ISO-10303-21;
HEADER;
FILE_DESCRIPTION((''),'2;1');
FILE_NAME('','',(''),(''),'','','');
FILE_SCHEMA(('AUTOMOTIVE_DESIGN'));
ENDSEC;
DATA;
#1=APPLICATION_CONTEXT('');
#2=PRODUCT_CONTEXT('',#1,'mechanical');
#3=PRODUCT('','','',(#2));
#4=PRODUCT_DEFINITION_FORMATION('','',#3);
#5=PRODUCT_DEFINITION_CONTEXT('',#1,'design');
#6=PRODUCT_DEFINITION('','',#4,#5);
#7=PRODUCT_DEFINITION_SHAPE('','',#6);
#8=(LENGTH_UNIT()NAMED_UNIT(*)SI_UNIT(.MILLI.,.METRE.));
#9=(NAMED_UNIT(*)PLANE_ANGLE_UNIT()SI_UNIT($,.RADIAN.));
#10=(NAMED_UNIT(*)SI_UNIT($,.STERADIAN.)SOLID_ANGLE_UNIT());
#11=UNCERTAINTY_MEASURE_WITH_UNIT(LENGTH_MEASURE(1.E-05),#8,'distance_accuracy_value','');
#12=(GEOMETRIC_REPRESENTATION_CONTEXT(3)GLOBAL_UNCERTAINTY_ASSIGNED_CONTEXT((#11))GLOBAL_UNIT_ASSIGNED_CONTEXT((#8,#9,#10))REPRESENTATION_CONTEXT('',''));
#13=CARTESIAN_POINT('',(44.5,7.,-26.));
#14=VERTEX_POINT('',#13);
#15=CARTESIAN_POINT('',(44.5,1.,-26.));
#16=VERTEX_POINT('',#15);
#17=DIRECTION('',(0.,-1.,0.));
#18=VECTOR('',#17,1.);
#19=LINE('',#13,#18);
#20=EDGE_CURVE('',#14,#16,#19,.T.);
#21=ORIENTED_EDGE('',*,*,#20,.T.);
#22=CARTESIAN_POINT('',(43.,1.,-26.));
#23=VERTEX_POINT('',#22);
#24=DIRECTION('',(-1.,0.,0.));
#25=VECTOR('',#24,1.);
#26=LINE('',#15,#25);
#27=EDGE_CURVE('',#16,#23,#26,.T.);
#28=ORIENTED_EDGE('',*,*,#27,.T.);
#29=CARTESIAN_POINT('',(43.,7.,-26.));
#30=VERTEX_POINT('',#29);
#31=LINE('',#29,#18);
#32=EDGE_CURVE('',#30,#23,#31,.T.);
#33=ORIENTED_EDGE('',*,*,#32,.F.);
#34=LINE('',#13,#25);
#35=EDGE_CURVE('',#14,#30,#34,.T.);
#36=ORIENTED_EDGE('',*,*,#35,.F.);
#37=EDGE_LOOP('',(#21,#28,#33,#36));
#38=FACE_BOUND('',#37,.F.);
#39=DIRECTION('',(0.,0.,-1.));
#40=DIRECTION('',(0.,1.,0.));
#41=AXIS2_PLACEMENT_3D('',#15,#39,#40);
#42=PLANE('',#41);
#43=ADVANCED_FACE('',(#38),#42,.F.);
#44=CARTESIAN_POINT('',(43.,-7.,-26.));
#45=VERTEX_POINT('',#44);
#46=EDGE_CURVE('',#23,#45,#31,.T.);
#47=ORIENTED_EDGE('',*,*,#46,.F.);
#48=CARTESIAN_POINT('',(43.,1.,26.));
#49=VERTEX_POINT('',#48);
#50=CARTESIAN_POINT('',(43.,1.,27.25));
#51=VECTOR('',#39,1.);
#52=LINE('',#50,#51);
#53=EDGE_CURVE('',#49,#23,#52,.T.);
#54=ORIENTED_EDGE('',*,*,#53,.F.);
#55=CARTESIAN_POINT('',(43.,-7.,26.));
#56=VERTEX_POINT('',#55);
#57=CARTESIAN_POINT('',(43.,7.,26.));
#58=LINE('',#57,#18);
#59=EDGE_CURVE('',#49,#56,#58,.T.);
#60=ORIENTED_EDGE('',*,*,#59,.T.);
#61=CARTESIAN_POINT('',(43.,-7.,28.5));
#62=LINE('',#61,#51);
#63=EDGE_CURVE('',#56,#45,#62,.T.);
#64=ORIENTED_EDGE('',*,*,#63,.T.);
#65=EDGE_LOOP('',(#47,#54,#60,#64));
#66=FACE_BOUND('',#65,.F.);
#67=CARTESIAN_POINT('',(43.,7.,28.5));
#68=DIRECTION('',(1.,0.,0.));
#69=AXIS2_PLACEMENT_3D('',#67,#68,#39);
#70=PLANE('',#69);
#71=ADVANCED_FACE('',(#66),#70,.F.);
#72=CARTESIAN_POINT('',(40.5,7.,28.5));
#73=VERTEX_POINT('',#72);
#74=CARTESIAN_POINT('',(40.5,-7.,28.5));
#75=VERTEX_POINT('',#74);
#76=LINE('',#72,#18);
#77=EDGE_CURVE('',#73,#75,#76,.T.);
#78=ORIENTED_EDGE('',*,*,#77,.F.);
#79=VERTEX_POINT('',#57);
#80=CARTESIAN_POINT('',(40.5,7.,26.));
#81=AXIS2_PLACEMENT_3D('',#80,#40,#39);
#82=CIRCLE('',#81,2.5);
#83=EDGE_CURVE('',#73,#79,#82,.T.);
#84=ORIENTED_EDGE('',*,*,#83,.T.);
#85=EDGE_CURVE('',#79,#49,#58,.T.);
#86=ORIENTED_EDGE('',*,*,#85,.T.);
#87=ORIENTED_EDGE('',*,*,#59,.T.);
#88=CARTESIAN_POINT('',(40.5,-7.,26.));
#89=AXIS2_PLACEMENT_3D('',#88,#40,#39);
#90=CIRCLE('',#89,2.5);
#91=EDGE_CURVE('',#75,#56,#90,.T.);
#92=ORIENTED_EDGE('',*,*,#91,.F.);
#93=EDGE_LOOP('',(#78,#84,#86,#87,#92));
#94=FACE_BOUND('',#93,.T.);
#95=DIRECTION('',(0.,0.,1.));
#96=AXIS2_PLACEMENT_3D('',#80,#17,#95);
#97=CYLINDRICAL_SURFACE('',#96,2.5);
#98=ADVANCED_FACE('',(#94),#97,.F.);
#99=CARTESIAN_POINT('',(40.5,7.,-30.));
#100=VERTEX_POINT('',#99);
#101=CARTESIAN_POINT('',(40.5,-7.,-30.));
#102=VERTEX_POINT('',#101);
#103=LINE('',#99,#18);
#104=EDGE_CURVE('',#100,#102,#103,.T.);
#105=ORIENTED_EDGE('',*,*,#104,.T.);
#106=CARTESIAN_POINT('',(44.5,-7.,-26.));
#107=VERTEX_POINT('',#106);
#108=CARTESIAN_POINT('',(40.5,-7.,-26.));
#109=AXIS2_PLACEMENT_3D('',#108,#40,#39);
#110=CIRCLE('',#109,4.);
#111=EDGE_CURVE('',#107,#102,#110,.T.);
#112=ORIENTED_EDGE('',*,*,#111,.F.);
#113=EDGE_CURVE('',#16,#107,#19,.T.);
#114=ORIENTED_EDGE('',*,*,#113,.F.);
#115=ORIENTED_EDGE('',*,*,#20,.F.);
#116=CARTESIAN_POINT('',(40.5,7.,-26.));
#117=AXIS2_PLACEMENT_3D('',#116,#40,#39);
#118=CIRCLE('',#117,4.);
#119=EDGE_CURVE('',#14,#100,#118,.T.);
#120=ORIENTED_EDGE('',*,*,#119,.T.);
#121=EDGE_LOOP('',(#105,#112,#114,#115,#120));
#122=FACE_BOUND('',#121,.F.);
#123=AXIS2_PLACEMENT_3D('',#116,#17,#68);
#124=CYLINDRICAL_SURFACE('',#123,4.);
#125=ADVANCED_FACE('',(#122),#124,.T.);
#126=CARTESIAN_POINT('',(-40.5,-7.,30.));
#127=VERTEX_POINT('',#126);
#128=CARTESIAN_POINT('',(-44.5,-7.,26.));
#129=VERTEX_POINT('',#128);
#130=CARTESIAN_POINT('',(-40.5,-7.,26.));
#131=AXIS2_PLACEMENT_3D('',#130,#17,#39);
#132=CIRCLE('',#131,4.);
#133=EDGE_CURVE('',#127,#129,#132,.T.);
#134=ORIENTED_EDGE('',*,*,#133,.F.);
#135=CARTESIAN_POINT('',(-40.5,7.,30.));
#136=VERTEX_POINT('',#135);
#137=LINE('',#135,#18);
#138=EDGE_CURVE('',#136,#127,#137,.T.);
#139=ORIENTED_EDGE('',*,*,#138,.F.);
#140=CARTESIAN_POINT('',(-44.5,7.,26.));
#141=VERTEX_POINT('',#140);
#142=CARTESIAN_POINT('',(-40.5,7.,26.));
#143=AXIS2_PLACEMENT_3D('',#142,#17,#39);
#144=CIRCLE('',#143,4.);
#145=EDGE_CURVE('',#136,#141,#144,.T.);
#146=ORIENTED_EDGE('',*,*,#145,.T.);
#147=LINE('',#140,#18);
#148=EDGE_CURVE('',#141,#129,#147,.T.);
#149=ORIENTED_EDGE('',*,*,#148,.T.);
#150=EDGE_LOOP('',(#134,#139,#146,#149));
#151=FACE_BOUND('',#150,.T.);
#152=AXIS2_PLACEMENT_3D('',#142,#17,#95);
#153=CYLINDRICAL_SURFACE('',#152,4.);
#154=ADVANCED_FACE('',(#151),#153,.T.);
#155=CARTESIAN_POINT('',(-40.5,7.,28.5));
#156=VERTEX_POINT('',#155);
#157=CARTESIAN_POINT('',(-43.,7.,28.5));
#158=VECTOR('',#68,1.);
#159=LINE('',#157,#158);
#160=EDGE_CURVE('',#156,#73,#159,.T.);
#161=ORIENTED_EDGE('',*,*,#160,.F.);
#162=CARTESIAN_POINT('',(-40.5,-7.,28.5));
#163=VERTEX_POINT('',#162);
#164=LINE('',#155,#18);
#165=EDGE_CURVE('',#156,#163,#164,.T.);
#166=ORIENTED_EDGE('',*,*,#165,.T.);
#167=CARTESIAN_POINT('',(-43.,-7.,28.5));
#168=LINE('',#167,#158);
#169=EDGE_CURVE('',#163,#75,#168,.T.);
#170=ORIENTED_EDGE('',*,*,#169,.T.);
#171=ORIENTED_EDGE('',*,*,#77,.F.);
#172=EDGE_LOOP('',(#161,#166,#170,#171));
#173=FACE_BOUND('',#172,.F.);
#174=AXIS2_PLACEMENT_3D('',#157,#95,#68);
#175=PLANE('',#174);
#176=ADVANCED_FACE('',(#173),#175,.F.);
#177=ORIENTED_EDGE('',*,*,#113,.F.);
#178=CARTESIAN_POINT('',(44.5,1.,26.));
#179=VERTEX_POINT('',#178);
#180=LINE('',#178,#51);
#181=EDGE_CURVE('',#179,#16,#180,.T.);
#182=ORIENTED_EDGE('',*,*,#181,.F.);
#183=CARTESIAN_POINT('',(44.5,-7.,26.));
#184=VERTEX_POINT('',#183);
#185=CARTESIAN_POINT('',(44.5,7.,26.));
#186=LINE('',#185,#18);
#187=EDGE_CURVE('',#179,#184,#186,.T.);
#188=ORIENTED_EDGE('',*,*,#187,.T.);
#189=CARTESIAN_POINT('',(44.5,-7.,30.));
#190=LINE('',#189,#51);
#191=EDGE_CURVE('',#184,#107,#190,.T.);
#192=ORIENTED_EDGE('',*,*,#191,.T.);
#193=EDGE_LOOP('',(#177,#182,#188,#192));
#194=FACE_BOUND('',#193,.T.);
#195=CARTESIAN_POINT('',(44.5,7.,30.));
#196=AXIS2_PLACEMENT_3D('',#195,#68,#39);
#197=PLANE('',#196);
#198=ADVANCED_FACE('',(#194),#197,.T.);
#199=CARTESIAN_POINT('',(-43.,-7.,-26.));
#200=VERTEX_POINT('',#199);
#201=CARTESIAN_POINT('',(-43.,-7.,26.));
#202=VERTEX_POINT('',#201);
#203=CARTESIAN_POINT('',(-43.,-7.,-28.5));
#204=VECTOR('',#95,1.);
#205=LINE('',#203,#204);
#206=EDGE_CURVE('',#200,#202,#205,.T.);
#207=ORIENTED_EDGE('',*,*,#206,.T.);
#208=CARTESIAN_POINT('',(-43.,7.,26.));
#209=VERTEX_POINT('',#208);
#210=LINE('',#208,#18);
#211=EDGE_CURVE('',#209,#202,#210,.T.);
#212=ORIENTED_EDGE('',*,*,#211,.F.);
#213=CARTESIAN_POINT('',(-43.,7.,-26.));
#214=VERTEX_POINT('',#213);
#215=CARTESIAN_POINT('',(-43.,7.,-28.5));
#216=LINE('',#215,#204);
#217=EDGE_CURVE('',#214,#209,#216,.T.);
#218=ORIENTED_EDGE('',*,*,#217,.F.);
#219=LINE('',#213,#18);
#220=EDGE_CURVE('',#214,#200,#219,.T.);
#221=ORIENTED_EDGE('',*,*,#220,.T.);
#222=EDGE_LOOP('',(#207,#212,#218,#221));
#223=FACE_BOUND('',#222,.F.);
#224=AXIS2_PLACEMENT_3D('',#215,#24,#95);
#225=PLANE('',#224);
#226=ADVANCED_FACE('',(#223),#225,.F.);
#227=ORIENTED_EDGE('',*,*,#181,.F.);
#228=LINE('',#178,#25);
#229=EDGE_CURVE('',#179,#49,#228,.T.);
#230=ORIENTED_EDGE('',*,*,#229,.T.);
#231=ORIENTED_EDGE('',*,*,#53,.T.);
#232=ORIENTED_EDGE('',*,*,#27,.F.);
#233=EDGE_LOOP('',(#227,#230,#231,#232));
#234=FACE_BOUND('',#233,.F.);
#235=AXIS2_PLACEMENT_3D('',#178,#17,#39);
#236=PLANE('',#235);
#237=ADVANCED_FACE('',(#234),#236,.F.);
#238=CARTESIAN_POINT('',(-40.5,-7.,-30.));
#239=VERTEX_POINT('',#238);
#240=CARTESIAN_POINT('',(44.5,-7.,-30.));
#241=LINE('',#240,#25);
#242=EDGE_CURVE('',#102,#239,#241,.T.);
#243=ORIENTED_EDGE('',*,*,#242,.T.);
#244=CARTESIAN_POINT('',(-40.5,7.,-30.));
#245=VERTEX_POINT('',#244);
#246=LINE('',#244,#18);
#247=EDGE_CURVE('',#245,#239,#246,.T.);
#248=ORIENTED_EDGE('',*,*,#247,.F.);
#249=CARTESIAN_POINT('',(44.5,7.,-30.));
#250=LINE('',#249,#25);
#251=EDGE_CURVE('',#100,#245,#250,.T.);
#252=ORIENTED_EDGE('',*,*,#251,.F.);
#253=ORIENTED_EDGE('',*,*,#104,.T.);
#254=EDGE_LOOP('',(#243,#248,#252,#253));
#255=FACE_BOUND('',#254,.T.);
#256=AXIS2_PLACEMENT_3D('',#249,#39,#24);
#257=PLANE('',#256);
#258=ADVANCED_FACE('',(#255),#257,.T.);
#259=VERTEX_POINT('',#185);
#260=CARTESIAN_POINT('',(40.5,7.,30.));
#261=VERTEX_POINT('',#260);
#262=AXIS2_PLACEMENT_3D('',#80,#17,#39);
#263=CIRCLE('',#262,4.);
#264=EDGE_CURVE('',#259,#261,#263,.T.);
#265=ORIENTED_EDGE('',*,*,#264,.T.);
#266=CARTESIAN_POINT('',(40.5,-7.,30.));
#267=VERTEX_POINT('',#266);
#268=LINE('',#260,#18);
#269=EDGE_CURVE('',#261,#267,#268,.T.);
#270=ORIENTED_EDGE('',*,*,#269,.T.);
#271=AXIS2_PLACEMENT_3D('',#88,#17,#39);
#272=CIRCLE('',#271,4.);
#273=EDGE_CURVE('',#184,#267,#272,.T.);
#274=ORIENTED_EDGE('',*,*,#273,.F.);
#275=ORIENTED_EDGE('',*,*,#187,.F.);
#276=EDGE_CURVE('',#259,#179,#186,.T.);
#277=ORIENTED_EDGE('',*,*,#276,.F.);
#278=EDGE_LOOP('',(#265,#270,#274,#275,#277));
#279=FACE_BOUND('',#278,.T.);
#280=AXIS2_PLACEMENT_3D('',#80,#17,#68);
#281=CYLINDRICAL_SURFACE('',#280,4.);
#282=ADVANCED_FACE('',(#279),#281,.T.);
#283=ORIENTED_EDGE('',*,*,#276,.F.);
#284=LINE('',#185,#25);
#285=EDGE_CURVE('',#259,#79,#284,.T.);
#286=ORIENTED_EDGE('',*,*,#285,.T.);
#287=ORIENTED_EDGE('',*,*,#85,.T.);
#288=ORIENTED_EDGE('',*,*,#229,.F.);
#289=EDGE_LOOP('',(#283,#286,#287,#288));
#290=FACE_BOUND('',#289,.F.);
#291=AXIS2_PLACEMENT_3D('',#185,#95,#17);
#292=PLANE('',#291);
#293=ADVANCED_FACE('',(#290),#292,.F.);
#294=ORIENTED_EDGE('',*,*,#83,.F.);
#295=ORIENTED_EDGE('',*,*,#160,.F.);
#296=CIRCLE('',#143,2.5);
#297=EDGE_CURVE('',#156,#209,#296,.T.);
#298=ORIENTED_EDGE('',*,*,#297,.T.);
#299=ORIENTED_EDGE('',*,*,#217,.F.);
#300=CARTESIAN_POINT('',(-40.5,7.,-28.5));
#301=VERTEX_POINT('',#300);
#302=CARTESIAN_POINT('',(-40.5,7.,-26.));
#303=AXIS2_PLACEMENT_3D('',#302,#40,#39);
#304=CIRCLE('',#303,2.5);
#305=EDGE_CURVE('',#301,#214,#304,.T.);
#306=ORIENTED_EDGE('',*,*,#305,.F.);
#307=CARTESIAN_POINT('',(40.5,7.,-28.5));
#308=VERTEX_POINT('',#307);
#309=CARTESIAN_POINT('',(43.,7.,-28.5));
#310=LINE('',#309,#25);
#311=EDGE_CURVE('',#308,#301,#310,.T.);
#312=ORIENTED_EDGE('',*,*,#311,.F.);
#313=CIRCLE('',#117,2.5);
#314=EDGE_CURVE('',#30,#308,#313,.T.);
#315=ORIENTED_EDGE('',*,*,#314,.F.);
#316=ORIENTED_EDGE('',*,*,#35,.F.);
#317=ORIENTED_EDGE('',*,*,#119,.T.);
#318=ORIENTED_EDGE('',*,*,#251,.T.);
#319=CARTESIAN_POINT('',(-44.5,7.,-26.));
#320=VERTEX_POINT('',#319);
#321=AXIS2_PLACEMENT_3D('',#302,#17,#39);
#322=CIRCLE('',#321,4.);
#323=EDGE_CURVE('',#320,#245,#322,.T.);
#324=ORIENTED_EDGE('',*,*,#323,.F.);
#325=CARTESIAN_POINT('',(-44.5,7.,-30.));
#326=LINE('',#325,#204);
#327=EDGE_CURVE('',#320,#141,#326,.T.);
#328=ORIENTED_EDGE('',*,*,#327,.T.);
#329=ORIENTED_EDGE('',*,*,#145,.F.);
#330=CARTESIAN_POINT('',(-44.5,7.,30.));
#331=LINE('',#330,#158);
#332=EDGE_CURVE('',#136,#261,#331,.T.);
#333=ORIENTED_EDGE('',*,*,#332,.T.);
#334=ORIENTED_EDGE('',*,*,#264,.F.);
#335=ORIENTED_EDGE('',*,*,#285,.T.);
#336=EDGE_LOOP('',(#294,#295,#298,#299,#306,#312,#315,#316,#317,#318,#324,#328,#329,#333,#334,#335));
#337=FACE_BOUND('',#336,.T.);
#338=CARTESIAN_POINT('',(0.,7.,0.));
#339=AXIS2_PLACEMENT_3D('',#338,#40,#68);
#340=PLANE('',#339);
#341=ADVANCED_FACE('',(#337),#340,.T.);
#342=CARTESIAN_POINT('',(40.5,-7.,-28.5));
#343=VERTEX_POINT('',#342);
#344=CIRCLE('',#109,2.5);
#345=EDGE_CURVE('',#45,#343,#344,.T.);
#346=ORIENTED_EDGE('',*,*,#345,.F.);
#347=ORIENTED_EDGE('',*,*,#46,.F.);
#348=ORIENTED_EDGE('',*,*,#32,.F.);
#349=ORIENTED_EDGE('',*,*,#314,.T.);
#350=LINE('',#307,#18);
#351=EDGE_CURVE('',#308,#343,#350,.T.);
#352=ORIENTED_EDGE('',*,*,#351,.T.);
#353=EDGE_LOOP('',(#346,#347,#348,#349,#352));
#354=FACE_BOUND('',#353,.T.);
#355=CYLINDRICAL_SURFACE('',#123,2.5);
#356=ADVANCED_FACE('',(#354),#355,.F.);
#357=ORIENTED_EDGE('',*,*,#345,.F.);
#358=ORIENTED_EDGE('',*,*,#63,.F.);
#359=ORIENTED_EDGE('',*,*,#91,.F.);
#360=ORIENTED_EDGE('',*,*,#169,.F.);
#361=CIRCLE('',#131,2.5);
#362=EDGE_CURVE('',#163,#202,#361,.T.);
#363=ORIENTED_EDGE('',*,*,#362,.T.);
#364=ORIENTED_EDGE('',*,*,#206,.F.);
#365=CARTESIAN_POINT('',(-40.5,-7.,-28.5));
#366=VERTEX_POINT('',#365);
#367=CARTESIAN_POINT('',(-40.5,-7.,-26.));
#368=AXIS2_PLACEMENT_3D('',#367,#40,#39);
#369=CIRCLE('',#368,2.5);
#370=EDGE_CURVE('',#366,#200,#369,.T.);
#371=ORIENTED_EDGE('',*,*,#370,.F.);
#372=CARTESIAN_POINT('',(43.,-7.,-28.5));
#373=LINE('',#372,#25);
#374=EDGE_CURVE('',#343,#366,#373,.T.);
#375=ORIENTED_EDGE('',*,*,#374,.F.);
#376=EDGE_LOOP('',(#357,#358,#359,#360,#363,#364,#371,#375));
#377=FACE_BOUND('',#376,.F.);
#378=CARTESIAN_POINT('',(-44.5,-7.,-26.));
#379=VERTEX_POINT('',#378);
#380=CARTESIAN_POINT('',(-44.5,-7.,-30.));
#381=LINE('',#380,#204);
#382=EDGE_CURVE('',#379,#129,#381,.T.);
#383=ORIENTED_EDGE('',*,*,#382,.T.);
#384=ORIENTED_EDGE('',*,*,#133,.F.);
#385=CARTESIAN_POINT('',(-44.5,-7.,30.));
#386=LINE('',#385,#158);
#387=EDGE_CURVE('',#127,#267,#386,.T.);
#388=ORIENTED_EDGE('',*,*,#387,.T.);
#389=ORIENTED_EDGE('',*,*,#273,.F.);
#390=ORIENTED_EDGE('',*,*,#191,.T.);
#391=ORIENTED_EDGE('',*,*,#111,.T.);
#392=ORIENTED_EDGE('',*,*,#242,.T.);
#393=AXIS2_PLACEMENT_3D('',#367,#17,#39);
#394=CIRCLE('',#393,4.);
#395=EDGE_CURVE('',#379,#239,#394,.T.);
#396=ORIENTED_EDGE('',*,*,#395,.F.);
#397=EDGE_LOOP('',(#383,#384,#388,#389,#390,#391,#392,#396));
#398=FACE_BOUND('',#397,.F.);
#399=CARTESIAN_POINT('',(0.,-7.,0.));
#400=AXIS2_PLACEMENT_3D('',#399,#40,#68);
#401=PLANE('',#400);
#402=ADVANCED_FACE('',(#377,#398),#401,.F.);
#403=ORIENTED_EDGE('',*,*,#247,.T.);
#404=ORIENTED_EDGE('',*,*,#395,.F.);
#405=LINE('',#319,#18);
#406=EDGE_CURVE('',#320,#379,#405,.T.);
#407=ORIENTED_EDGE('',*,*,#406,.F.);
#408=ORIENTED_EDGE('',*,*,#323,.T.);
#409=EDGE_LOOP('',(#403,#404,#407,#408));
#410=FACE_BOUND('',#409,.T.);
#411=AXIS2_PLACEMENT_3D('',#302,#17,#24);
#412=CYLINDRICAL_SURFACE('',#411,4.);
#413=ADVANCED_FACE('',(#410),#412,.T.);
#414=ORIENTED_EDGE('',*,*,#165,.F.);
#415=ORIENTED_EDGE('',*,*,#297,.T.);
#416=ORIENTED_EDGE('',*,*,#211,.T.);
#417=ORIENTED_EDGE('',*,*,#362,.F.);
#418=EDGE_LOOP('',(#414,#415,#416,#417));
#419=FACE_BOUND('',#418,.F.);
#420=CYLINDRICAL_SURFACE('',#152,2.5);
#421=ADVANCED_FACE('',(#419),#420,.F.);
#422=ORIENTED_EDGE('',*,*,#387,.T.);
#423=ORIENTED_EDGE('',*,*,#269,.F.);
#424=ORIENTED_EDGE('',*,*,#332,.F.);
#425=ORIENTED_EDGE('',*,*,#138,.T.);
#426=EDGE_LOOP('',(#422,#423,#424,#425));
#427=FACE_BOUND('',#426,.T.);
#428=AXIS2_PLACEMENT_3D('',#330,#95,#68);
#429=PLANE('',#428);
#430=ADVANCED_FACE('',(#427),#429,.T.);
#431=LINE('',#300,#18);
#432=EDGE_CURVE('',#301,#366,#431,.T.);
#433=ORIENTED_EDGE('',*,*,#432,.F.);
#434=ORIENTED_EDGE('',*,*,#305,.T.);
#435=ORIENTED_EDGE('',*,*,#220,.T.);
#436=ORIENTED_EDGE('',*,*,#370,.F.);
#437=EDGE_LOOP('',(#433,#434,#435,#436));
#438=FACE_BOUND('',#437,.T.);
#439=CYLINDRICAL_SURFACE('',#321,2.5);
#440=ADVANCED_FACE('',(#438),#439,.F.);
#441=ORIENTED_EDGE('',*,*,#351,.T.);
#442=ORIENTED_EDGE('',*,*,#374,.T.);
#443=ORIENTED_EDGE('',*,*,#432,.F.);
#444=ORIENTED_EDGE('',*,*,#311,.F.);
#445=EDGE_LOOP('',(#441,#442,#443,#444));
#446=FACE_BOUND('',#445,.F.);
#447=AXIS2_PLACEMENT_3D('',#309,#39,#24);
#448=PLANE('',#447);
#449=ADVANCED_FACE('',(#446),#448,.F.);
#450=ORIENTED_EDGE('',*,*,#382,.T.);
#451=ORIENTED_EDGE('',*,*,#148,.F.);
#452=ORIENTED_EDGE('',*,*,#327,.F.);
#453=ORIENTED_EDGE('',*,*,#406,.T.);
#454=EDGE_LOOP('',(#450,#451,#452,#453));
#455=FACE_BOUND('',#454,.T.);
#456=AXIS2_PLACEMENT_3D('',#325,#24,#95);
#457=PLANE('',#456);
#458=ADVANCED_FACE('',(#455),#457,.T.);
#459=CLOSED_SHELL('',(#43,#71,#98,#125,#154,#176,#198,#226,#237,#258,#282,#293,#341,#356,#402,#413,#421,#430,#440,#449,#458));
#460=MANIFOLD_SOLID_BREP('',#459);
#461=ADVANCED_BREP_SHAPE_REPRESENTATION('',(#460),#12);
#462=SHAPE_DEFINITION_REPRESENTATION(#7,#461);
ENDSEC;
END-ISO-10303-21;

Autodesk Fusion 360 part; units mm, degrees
sketch "sketch 234" plane through (0, 0, 0) normal (0, 1, 0) x (1, 0, 0)
  line L0 (-43, -28.5) -> (43, -28.5)
  line L1 (43, -28.5) -> (43, 28.5)
  line L2 (43, 28.5) -> (-43, 28.5)
  line L3 (-43, 28.5) -> (-43, -28.5)
  line L4 (0, -28.5) -> (0, 0) construction
  line L5 (0, 0) -> (43, 0) construction
  circle A0 centre (-39, -24.5) radius 1.5
  circle A1 centre (-15, -15) radius 1.5
  line L6 (-15, -15) -> (15, -15) construction
  circle A2 centre (15, -15) radius 1.5
  line L7 (-15, -15) -> (-15, 15) construction
  circle A3 centre (-15, 15) radius 1.5
  line L8 (15, -15) -> (15, 15) construction
  line L9 (15, 15) -> (-15, 15) construction
  circle A4 centre (15, 15) radius 1.5
  line L10 (0, 15) -> (0, 0) construction
  line L11 (-15, 0) -> (0, 0) construction
  line L12 (44.5, 30) -> (-44.5, 30)
  line L13 (-44.5, 30) -> (-44.5, -30)
  line L14 (-44.5, -30) -> (44.5, -30)
  line L15 (44.5, -30) -> (44.5, 30)
  dimension "d6" = 86
  dimension "d7" = 57
  dimension "d8" = 3
  dimension "d9" = 4
  dimension "d10" = 4
  dimension "d11" = 3
  dimension "d12" = 3
  dimension "d13" = 30
  dimension "d14" = 30
  dimension "d15" = 3
  dimension "d16" = 3
  dimension "d33" = 0
  dimension "d34" = 0
  dimension "d35" = 0
  dimension "d36" = 0
  dimension "d79" = 0
  dimension "d80" = 0
  dimension "d81" = 0
  dimension "d82" = 0
  dimension "d97" = 1.5
extrude "Extrude1" add sketch "sketch 234" against normal blind 14 from surface at 7 contours L12 L13 L14 L15
fillet "Fillet2" radius 2.5 4 edges at (43, 0, 28.5) (43, 0, -28.5) (-43, 0, 28.5) (-43, 0, -28.5)
fillet "Fillet2" radius 4 4 edges at (-44.5, 0, -30) (-44.5, 0, 30) (44.5, 0, 30) (44.5, 0, -30)
sketch "sketch 592" plane through (44.5, 0, 0) normal (1, 0, 0) x (0, 1, 0)
  line L0 (7, 26) -> (7, -26)
  line L1 (7, 26) -> (1, 26)
  line L2 (1, 26) -> (1, -26)
  line L3 (1, -26) -> (7, -26)
  dimension "d122" = 6
extrude "Extrude4" cut sketch "sketch 592" against normal blind 3
equation "d6 = boxWidth"
equation "d7 = boxHeight"
equation "d97 = thickness"
equation "d138 = boxWidth + ( thickness * 2 )"
equation "d139 = boxHeight + ( thickness * 2 )"
equation "d175 = thickness"
equation "d200 = boxHeight / 2"
